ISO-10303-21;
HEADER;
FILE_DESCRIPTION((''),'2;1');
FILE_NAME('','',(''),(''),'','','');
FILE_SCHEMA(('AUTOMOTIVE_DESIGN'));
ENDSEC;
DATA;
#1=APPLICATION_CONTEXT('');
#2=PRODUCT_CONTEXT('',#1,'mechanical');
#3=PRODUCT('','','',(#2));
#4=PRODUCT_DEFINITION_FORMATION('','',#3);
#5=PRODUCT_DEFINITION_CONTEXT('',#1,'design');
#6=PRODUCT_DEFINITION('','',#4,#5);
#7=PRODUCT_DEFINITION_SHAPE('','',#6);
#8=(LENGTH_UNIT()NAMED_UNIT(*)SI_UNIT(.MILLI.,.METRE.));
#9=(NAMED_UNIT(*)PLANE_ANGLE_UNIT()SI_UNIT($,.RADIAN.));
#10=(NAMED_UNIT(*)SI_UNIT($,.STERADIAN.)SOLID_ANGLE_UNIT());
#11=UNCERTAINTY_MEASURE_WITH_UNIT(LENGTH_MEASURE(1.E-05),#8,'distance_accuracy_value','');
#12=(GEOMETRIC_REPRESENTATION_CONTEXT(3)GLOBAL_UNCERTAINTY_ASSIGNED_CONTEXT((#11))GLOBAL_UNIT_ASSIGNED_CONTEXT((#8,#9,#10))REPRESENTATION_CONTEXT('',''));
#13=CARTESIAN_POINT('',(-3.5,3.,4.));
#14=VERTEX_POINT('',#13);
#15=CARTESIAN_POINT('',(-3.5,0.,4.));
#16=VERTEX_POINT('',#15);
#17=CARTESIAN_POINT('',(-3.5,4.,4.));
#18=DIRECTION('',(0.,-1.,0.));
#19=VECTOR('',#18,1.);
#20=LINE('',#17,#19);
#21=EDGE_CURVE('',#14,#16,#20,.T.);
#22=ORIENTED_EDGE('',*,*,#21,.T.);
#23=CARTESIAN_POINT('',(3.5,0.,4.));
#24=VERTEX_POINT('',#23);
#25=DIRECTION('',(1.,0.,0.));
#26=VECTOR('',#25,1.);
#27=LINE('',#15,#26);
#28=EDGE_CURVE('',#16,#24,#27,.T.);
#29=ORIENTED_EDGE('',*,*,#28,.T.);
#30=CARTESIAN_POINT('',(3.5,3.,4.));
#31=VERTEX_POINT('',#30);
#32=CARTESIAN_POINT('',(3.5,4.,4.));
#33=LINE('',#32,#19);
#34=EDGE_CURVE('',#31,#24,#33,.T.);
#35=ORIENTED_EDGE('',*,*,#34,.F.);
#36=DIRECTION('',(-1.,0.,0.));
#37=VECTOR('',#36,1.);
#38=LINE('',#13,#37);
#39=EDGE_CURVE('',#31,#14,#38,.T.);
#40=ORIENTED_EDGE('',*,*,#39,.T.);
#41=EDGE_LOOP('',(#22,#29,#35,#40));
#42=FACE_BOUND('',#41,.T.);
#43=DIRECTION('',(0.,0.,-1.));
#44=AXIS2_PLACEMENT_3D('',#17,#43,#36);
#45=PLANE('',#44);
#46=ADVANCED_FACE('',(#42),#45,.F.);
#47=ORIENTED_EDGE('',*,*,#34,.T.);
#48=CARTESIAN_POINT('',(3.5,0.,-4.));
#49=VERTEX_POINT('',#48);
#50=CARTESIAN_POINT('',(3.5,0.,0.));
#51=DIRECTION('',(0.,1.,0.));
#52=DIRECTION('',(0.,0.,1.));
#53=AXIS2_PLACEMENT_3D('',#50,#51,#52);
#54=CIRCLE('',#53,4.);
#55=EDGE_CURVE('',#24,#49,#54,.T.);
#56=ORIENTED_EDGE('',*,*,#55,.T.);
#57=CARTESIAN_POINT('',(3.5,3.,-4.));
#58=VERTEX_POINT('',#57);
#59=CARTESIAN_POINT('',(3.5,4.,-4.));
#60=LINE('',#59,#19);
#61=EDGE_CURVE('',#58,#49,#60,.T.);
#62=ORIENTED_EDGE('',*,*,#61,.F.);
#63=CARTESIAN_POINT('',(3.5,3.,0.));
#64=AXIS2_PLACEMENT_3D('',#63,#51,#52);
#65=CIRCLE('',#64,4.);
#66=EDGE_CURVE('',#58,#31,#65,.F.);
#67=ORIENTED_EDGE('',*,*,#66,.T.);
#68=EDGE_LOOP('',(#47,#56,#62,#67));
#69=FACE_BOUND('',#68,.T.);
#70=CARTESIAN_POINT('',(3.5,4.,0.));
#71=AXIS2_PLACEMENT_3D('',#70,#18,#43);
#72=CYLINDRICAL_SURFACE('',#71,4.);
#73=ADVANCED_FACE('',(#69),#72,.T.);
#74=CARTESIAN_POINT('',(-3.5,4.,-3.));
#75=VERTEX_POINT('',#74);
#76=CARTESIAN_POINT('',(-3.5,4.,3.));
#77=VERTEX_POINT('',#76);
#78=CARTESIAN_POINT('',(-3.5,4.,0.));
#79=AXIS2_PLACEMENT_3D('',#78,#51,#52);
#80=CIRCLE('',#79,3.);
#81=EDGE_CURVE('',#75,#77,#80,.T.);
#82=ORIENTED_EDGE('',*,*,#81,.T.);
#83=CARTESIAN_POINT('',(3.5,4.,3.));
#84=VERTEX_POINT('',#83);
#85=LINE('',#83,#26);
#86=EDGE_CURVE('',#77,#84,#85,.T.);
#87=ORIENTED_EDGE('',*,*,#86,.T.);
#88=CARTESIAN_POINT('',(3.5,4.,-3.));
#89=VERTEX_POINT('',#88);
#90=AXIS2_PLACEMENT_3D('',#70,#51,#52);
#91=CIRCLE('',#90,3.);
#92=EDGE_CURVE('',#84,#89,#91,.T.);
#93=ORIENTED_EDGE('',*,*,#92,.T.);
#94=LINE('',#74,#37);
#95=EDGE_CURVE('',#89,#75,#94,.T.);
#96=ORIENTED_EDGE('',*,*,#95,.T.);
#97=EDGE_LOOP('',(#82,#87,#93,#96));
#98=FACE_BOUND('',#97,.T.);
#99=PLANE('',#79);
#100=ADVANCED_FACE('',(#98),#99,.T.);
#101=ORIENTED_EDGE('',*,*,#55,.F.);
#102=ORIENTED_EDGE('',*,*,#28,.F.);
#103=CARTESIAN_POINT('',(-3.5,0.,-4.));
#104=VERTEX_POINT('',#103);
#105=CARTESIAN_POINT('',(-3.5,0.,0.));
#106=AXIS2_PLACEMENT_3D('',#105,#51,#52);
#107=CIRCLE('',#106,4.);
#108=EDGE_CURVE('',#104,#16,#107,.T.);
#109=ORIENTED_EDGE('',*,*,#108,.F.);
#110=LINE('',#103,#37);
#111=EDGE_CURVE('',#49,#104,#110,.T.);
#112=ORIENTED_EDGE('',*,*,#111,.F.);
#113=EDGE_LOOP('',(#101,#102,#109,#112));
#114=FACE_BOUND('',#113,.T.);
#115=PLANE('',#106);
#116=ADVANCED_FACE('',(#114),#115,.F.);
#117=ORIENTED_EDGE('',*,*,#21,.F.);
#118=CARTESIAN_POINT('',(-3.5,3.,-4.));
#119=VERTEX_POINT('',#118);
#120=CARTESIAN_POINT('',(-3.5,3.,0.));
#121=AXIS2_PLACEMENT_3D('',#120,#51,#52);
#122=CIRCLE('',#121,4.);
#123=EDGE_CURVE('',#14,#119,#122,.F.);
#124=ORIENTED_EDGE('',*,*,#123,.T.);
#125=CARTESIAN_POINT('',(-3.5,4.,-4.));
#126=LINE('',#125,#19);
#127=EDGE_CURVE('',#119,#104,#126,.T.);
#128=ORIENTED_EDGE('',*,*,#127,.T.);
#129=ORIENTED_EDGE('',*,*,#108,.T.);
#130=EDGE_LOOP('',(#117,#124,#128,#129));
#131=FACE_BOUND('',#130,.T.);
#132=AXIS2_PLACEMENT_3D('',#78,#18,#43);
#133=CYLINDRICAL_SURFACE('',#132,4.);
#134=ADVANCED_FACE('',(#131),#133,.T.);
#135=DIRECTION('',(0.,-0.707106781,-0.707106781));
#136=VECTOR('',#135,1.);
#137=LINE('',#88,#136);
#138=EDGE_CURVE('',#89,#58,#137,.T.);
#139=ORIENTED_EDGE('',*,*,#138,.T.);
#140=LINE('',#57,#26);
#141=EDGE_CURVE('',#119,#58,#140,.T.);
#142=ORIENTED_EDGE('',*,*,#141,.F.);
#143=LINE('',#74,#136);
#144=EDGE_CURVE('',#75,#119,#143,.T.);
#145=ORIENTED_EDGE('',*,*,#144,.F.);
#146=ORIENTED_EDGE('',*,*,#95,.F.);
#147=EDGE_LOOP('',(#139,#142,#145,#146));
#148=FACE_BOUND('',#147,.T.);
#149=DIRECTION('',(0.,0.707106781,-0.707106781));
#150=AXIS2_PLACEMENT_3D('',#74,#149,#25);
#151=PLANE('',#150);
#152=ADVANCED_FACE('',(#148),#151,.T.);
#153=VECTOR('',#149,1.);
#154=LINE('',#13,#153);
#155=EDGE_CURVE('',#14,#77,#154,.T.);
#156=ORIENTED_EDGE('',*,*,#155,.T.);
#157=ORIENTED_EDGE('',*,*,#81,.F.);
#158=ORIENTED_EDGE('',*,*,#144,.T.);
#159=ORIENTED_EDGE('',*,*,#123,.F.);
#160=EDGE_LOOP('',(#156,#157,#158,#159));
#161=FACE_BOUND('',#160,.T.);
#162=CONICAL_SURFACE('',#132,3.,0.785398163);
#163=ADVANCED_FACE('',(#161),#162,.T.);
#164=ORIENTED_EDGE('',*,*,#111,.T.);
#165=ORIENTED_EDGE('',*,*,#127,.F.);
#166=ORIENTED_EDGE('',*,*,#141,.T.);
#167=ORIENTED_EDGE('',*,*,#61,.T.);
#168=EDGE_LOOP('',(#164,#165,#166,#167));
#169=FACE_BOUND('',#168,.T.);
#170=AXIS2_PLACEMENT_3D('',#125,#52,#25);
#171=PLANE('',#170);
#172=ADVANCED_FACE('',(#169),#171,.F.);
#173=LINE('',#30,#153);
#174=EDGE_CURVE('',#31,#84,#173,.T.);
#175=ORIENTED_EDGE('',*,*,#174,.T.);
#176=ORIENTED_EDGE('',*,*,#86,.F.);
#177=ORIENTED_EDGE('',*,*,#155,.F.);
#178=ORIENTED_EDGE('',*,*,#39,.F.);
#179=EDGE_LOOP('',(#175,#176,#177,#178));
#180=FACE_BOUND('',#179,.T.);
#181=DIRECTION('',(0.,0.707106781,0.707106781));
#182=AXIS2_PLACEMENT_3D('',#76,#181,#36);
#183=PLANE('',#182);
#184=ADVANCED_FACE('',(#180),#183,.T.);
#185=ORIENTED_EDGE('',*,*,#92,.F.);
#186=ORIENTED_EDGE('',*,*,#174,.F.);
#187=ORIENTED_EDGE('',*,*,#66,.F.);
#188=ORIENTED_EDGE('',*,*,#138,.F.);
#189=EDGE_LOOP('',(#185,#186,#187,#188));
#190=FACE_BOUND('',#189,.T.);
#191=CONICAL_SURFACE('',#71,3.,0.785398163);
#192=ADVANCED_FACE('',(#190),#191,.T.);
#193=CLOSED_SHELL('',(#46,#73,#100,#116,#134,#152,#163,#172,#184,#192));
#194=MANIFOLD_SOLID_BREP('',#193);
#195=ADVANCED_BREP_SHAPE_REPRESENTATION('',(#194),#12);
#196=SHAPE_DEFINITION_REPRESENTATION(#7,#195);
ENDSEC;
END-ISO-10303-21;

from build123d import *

# Parameters (mm, degrees)
BOSS_EXTRU_1_DEPTH = 4
CHANFREIN1_SIZE    = 1


with BuildPart() as part:
    # Esquisse1 → Boss.-Extru.1 (new body)
    with BuildSketch(Plane(origin=(0, 0, 0), x_dir=(1, 0, 0), z_dir=(0, 1, 0))):
        with BuildLine():
            Line((-3.5, 4), (3.5, 4))
            ThreePointArc((3.5, 4), (7.5, 0), (3.5, -4))
            Line((3.5, -4), (-3.5, -4))
            ThreePointArc((-3.5, -4), (-7.5, 0), (-3.5, 4))
        make_face()
    extrude(amount=BOSS_EXTRU_1_DEPTH)

    # Chanfrein1
    chanfrein1_edges = [part.edges().sort_by_distance(p)[0] for p in [
        (7.5, 4, 0),
        (0, 4, -4),
        (-7.5, 4, 0),
        (0, 4, 4),
    ]]
    chamfer(chanfrein1_edges, length=CHANFREIN1_SIZE)


solid = part.part
